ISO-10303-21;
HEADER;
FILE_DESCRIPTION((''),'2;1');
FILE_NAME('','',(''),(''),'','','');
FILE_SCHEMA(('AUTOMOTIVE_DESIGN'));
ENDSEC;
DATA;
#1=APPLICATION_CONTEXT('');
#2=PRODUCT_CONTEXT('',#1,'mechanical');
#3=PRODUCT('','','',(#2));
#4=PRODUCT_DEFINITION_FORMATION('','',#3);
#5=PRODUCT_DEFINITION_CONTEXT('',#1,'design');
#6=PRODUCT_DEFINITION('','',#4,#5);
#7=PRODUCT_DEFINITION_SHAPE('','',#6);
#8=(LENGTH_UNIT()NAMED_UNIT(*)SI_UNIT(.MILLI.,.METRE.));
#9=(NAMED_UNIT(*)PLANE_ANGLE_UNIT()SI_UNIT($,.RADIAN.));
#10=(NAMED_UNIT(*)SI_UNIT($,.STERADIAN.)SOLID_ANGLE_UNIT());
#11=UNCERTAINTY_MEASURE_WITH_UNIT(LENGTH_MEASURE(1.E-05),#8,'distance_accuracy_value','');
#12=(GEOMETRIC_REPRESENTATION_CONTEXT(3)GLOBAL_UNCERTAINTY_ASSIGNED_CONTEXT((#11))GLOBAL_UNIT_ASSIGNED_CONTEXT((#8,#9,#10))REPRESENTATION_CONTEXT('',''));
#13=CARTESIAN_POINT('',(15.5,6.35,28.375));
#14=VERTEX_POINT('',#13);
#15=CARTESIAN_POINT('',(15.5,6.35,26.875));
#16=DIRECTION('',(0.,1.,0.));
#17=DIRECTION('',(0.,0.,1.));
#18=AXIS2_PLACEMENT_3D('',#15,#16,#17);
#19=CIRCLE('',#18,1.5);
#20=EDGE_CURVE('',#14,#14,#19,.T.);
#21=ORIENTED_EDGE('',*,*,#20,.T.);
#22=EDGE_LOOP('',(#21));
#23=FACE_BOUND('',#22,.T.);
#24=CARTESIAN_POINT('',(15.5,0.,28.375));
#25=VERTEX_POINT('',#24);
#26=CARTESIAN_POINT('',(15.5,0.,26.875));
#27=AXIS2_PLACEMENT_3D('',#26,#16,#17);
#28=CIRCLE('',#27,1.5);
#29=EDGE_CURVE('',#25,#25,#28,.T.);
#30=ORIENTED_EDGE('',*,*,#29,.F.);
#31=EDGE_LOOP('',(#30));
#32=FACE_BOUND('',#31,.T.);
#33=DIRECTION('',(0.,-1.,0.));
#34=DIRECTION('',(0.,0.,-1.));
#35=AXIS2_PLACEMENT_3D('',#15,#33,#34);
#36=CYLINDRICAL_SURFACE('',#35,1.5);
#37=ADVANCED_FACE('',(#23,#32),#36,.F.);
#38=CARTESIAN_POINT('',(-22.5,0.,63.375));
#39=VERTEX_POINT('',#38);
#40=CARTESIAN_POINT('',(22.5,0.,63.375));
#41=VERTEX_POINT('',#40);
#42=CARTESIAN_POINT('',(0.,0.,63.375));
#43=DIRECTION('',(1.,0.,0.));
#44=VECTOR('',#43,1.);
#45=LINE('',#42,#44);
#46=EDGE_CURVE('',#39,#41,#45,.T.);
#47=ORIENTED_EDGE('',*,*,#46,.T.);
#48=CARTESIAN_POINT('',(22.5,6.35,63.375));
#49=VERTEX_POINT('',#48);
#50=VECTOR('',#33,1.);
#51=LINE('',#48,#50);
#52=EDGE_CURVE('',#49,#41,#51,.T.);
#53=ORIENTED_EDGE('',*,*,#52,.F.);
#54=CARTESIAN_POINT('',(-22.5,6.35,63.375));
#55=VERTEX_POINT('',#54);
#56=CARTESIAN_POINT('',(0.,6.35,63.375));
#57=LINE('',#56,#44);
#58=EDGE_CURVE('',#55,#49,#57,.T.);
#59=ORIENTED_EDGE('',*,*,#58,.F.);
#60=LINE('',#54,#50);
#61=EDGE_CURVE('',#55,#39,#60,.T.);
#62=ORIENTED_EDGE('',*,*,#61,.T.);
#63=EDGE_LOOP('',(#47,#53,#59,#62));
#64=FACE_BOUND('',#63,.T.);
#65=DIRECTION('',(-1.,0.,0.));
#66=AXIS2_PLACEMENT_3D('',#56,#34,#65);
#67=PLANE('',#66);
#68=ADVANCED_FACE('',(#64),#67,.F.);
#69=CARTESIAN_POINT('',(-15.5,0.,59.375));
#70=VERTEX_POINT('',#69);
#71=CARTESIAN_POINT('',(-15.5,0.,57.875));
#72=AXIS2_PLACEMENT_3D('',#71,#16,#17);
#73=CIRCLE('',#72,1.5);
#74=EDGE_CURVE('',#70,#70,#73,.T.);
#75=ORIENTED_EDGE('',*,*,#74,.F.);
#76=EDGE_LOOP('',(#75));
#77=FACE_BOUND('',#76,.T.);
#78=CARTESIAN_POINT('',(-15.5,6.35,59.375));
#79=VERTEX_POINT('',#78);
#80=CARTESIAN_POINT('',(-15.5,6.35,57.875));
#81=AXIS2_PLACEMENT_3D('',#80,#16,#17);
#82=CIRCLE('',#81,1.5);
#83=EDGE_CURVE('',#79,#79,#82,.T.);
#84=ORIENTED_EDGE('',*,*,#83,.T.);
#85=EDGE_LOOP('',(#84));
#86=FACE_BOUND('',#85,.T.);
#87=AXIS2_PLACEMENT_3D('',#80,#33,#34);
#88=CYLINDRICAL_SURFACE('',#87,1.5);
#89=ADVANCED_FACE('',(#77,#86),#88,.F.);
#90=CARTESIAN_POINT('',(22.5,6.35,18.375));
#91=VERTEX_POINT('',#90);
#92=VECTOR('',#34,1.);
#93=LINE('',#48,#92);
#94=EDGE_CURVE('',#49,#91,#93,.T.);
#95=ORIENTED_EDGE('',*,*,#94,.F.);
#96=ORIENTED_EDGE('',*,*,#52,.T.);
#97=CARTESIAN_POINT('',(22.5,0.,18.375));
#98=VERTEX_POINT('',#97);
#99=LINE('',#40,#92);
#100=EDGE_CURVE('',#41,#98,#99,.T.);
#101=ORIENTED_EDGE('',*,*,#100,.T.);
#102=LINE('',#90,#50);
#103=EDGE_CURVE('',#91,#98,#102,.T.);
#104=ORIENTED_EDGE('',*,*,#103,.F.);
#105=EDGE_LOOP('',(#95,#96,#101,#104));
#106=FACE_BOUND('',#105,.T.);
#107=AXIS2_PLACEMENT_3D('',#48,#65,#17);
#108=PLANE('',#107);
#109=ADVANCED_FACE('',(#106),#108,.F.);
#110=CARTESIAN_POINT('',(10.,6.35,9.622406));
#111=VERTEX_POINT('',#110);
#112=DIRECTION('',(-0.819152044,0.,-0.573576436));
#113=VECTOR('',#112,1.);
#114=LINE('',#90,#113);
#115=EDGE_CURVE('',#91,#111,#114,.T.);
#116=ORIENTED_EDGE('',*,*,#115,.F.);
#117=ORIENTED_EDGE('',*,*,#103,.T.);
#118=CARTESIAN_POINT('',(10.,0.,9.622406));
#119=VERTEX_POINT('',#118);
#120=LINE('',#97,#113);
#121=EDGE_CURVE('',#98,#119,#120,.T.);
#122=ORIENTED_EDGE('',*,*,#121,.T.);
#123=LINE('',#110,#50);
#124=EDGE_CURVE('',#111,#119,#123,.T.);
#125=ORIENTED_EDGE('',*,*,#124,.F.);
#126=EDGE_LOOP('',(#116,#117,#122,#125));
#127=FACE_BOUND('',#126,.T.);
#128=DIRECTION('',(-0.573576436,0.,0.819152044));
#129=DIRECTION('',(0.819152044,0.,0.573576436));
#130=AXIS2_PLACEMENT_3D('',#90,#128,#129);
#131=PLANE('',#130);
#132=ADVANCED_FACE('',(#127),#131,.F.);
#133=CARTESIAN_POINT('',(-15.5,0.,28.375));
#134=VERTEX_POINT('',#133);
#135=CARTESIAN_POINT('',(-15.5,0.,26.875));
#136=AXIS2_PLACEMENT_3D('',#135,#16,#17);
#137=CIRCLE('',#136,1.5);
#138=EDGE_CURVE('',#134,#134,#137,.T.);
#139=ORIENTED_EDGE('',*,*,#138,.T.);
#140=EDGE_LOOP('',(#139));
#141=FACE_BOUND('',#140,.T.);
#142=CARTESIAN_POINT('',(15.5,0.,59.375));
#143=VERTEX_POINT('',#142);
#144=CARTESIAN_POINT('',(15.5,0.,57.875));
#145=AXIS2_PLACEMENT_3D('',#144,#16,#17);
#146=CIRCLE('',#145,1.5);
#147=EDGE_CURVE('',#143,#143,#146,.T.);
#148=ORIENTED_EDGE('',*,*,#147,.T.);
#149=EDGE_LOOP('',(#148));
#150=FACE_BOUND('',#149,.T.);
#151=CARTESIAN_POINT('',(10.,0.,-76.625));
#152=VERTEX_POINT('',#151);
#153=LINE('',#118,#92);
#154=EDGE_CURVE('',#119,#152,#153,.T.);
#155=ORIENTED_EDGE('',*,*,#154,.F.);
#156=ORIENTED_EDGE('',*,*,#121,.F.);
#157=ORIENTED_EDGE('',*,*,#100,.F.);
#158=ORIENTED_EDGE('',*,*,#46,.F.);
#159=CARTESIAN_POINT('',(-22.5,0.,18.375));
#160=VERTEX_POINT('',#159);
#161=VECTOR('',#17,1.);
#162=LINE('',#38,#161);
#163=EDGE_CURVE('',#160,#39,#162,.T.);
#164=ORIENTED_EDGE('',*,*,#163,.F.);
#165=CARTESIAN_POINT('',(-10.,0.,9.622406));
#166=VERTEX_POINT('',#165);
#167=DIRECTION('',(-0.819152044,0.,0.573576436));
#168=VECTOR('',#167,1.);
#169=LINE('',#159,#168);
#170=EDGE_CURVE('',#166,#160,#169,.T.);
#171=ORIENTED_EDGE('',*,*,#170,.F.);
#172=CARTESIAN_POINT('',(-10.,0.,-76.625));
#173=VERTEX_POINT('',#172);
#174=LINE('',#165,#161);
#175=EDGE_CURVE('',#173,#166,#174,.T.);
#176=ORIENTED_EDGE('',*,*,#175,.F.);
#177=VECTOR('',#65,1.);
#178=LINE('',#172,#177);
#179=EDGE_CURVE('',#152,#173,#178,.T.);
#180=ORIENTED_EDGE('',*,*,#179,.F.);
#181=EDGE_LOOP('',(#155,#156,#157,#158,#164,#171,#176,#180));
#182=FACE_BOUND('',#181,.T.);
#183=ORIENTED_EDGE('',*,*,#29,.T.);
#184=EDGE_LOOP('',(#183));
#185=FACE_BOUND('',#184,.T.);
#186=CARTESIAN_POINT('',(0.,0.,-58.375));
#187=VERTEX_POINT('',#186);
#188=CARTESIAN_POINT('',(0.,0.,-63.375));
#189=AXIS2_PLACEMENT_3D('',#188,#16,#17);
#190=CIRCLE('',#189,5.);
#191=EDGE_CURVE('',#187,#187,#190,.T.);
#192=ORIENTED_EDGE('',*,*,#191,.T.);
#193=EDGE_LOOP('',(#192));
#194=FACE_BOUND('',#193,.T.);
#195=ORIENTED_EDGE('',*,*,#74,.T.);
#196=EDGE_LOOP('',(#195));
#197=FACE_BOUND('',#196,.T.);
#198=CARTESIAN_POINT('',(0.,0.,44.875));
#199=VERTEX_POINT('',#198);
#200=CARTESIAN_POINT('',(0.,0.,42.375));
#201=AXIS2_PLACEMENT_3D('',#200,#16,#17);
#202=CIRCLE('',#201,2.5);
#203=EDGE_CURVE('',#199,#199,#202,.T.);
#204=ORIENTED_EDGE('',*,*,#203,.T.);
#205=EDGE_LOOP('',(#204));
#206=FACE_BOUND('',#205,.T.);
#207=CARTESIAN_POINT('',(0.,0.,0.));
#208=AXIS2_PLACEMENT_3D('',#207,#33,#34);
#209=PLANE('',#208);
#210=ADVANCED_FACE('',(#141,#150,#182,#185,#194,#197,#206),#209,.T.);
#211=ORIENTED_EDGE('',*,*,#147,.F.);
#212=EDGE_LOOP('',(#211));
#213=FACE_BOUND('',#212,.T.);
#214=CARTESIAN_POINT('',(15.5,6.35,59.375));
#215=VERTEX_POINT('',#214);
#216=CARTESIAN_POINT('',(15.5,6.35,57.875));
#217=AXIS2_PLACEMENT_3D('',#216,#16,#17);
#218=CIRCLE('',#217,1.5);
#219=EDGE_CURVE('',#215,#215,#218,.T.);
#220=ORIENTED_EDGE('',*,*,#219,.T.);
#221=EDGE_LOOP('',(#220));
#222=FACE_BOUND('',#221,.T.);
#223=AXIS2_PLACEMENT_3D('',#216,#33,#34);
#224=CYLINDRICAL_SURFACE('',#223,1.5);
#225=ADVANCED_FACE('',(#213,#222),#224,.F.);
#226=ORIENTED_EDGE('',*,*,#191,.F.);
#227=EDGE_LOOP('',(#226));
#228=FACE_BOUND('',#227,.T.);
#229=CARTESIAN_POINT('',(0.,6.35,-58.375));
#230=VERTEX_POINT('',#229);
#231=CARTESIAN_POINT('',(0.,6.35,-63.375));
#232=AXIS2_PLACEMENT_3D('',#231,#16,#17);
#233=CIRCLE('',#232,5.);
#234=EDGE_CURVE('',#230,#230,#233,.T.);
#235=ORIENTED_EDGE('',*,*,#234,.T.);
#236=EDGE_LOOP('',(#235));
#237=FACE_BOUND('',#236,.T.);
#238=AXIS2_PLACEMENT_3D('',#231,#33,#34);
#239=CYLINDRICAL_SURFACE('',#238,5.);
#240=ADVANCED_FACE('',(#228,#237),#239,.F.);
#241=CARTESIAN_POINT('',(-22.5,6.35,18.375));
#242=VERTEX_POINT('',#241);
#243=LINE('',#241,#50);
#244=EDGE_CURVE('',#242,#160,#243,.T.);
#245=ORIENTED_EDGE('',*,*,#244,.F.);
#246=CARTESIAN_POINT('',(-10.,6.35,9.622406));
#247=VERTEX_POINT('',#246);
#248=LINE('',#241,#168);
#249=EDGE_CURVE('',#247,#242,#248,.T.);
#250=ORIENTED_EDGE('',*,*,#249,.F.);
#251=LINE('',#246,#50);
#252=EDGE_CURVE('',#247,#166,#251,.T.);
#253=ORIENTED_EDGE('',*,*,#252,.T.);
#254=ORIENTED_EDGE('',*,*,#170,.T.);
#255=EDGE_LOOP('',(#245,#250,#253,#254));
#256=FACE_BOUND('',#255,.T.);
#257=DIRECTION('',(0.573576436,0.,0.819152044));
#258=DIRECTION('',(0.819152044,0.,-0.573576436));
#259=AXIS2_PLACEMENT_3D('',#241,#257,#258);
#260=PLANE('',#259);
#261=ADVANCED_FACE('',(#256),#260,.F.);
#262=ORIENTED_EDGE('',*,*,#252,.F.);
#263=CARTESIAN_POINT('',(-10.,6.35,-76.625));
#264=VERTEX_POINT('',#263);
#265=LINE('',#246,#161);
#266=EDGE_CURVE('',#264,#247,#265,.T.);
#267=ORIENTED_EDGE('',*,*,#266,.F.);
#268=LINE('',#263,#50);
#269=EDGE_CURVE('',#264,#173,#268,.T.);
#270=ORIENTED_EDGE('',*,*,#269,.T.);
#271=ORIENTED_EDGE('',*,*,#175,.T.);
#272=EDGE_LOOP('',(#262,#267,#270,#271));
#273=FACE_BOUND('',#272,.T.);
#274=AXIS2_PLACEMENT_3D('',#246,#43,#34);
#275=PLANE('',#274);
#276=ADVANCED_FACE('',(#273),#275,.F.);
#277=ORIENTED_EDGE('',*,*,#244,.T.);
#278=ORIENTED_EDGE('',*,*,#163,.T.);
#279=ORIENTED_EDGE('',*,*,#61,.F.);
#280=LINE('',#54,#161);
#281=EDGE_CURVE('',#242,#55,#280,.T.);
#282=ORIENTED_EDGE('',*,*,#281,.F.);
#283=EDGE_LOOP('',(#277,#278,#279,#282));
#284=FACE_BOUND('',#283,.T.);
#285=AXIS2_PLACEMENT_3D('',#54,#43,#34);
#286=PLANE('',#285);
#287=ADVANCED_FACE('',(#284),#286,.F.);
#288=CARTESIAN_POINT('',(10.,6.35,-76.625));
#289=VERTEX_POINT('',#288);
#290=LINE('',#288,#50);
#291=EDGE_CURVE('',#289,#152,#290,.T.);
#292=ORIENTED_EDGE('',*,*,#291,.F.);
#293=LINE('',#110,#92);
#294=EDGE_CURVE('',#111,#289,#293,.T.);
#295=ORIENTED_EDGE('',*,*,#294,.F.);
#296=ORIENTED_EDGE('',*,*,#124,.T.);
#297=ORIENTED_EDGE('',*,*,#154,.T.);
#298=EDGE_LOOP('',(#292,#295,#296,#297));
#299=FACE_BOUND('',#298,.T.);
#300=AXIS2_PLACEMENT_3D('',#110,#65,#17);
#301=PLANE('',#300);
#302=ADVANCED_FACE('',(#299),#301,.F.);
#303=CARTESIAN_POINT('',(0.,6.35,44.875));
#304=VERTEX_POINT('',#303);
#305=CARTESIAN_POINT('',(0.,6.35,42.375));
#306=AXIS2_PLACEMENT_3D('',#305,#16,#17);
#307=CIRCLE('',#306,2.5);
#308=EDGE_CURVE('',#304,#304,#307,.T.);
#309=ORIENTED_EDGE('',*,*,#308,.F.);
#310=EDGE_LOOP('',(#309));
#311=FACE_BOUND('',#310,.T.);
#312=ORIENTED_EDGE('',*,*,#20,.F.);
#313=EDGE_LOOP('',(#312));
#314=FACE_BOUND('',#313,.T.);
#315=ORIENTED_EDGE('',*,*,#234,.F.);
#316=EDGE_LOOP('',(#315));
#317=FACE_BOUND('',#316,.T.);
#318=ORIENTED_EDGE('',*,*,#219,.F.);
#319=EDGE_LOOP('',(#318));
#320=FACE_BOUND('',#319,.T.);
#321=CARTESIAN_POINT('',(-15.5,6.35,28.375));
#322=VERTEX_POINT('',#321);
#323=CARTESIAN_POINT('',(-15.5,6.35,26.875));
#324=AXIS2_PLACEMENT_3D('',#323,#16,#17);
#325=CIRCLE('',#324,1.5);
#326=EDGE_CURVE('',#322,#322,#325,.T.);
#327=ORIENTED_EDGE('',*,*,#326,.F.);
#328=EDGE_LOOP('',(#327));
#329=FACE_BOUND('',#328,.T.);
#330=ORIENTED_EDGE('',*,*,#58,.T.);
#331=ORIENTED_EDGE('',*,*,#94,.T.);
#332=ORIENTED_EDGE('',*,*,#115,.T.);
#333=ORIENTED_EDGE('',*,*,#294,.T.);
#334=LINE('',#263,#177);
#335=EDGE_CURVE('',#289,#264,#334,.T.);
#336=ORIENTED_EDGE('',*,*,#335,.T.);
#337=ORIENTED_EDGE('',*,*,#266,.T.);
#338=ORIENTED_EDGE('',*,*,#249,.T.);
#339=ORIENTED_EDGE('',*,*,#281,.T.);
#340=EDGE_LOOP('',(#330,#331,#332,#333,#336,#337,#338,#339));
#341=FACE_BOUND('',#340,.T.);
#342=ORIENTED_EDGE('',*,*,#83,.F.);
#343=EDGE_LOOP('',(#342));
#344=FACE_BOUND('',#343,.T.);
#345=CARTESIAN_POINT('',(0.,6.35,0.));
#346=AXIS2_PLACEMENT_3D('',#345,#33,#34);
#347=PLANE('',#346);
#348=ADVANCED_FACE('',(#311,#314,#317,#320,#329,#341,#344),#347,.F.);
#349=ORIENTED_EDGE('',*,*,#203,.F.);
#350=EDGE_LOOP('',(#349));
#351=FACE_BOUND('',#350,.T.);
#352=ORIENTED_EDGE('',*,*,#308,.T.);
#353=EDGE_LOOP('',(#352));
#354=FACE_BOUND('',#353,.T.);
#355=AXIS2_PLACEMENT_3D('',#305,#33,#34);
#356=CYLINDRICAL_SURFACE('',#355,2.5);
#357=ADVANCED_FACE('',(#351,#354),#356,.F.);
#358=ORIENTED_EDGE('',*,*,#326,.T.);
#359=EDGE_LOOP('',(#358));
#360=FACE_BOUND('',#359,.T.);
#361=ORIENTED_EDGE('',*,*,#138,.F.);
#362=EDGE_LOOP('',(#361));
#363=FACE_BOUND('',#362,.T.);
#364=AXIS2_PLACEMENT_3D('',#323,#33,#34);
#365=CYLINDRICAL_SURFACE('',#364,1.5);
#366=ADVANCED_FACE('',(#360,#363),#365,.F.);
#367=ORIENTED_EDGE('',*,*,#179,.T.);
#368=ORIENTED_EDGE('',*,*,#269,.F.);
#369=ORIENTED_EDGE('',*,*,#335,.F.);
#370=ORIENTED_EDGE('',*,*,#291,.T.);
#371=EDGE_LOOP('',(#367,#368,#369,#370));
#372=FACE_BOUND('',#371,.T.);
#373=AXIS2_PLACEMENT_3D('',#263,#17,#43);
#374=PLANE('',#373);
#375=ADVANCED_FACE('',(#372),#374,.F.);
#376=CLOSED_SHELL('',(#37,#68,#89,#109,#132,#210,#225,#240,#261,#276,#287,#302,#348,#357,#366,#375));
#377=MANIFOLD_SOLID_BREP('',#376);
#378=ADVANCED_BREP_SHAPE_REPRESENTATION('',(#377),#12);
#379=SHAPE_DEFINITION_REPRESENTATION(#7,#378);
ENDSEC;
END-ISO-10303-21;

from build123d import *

# Parameters (mm, degrees)
SKETCH1_R           = 5
SKETCH1_R_2         = 1.5
SKETCH1_R_3         = 2.5
BOSS_EXTRUDE1_DEPTH = 6.35


with BuildPart() as part:
    # Sketch1 → Boss-Extrude1 (new body)
    with BuildSketch(Plane(origin=(0, 0, 0), x_dir=(1, 0, 0), z_dir=(0, 1, 0))):
        Polygon((-10, -9.622405772), (-10, 76.625), (10, 76.625), (10, -9.622405772), (22.5, -18.375), (22.5, -63.375), (0, -63.375), (-22.5, -63.375), (-22.5, -18.375), align=None)
        with Locations((0, 63.375)):
            Circle(SKETCH1_R, mode=Mode.SUBTRACT)
        with Locations((-15.5, -26.875)):
            Circle(SKETCH1_R_2, mode=Mode.SUBTRACT)
        with Locations((15.5, -26.875)):
            Circle(SKETCH1_R_2, mode=Mode.SUBTRACT)
        with Locations((15.5, -57.875)):
            Circle(SKETCH1_R_2, mode=Mode.SUBTRACT)
        with Locations((-15.5, -57.875)):
            Circle(SKETCH1_R_2, mode=Mode.SUBTRACT)
        with Locations((0, -42.375)):
            Circle(SKETCH1_R_3, mode=Mode.SUBTRACT)
    extrude(amount=BOSS_EXTRUDE1_DEPTH)


solid = part.part
